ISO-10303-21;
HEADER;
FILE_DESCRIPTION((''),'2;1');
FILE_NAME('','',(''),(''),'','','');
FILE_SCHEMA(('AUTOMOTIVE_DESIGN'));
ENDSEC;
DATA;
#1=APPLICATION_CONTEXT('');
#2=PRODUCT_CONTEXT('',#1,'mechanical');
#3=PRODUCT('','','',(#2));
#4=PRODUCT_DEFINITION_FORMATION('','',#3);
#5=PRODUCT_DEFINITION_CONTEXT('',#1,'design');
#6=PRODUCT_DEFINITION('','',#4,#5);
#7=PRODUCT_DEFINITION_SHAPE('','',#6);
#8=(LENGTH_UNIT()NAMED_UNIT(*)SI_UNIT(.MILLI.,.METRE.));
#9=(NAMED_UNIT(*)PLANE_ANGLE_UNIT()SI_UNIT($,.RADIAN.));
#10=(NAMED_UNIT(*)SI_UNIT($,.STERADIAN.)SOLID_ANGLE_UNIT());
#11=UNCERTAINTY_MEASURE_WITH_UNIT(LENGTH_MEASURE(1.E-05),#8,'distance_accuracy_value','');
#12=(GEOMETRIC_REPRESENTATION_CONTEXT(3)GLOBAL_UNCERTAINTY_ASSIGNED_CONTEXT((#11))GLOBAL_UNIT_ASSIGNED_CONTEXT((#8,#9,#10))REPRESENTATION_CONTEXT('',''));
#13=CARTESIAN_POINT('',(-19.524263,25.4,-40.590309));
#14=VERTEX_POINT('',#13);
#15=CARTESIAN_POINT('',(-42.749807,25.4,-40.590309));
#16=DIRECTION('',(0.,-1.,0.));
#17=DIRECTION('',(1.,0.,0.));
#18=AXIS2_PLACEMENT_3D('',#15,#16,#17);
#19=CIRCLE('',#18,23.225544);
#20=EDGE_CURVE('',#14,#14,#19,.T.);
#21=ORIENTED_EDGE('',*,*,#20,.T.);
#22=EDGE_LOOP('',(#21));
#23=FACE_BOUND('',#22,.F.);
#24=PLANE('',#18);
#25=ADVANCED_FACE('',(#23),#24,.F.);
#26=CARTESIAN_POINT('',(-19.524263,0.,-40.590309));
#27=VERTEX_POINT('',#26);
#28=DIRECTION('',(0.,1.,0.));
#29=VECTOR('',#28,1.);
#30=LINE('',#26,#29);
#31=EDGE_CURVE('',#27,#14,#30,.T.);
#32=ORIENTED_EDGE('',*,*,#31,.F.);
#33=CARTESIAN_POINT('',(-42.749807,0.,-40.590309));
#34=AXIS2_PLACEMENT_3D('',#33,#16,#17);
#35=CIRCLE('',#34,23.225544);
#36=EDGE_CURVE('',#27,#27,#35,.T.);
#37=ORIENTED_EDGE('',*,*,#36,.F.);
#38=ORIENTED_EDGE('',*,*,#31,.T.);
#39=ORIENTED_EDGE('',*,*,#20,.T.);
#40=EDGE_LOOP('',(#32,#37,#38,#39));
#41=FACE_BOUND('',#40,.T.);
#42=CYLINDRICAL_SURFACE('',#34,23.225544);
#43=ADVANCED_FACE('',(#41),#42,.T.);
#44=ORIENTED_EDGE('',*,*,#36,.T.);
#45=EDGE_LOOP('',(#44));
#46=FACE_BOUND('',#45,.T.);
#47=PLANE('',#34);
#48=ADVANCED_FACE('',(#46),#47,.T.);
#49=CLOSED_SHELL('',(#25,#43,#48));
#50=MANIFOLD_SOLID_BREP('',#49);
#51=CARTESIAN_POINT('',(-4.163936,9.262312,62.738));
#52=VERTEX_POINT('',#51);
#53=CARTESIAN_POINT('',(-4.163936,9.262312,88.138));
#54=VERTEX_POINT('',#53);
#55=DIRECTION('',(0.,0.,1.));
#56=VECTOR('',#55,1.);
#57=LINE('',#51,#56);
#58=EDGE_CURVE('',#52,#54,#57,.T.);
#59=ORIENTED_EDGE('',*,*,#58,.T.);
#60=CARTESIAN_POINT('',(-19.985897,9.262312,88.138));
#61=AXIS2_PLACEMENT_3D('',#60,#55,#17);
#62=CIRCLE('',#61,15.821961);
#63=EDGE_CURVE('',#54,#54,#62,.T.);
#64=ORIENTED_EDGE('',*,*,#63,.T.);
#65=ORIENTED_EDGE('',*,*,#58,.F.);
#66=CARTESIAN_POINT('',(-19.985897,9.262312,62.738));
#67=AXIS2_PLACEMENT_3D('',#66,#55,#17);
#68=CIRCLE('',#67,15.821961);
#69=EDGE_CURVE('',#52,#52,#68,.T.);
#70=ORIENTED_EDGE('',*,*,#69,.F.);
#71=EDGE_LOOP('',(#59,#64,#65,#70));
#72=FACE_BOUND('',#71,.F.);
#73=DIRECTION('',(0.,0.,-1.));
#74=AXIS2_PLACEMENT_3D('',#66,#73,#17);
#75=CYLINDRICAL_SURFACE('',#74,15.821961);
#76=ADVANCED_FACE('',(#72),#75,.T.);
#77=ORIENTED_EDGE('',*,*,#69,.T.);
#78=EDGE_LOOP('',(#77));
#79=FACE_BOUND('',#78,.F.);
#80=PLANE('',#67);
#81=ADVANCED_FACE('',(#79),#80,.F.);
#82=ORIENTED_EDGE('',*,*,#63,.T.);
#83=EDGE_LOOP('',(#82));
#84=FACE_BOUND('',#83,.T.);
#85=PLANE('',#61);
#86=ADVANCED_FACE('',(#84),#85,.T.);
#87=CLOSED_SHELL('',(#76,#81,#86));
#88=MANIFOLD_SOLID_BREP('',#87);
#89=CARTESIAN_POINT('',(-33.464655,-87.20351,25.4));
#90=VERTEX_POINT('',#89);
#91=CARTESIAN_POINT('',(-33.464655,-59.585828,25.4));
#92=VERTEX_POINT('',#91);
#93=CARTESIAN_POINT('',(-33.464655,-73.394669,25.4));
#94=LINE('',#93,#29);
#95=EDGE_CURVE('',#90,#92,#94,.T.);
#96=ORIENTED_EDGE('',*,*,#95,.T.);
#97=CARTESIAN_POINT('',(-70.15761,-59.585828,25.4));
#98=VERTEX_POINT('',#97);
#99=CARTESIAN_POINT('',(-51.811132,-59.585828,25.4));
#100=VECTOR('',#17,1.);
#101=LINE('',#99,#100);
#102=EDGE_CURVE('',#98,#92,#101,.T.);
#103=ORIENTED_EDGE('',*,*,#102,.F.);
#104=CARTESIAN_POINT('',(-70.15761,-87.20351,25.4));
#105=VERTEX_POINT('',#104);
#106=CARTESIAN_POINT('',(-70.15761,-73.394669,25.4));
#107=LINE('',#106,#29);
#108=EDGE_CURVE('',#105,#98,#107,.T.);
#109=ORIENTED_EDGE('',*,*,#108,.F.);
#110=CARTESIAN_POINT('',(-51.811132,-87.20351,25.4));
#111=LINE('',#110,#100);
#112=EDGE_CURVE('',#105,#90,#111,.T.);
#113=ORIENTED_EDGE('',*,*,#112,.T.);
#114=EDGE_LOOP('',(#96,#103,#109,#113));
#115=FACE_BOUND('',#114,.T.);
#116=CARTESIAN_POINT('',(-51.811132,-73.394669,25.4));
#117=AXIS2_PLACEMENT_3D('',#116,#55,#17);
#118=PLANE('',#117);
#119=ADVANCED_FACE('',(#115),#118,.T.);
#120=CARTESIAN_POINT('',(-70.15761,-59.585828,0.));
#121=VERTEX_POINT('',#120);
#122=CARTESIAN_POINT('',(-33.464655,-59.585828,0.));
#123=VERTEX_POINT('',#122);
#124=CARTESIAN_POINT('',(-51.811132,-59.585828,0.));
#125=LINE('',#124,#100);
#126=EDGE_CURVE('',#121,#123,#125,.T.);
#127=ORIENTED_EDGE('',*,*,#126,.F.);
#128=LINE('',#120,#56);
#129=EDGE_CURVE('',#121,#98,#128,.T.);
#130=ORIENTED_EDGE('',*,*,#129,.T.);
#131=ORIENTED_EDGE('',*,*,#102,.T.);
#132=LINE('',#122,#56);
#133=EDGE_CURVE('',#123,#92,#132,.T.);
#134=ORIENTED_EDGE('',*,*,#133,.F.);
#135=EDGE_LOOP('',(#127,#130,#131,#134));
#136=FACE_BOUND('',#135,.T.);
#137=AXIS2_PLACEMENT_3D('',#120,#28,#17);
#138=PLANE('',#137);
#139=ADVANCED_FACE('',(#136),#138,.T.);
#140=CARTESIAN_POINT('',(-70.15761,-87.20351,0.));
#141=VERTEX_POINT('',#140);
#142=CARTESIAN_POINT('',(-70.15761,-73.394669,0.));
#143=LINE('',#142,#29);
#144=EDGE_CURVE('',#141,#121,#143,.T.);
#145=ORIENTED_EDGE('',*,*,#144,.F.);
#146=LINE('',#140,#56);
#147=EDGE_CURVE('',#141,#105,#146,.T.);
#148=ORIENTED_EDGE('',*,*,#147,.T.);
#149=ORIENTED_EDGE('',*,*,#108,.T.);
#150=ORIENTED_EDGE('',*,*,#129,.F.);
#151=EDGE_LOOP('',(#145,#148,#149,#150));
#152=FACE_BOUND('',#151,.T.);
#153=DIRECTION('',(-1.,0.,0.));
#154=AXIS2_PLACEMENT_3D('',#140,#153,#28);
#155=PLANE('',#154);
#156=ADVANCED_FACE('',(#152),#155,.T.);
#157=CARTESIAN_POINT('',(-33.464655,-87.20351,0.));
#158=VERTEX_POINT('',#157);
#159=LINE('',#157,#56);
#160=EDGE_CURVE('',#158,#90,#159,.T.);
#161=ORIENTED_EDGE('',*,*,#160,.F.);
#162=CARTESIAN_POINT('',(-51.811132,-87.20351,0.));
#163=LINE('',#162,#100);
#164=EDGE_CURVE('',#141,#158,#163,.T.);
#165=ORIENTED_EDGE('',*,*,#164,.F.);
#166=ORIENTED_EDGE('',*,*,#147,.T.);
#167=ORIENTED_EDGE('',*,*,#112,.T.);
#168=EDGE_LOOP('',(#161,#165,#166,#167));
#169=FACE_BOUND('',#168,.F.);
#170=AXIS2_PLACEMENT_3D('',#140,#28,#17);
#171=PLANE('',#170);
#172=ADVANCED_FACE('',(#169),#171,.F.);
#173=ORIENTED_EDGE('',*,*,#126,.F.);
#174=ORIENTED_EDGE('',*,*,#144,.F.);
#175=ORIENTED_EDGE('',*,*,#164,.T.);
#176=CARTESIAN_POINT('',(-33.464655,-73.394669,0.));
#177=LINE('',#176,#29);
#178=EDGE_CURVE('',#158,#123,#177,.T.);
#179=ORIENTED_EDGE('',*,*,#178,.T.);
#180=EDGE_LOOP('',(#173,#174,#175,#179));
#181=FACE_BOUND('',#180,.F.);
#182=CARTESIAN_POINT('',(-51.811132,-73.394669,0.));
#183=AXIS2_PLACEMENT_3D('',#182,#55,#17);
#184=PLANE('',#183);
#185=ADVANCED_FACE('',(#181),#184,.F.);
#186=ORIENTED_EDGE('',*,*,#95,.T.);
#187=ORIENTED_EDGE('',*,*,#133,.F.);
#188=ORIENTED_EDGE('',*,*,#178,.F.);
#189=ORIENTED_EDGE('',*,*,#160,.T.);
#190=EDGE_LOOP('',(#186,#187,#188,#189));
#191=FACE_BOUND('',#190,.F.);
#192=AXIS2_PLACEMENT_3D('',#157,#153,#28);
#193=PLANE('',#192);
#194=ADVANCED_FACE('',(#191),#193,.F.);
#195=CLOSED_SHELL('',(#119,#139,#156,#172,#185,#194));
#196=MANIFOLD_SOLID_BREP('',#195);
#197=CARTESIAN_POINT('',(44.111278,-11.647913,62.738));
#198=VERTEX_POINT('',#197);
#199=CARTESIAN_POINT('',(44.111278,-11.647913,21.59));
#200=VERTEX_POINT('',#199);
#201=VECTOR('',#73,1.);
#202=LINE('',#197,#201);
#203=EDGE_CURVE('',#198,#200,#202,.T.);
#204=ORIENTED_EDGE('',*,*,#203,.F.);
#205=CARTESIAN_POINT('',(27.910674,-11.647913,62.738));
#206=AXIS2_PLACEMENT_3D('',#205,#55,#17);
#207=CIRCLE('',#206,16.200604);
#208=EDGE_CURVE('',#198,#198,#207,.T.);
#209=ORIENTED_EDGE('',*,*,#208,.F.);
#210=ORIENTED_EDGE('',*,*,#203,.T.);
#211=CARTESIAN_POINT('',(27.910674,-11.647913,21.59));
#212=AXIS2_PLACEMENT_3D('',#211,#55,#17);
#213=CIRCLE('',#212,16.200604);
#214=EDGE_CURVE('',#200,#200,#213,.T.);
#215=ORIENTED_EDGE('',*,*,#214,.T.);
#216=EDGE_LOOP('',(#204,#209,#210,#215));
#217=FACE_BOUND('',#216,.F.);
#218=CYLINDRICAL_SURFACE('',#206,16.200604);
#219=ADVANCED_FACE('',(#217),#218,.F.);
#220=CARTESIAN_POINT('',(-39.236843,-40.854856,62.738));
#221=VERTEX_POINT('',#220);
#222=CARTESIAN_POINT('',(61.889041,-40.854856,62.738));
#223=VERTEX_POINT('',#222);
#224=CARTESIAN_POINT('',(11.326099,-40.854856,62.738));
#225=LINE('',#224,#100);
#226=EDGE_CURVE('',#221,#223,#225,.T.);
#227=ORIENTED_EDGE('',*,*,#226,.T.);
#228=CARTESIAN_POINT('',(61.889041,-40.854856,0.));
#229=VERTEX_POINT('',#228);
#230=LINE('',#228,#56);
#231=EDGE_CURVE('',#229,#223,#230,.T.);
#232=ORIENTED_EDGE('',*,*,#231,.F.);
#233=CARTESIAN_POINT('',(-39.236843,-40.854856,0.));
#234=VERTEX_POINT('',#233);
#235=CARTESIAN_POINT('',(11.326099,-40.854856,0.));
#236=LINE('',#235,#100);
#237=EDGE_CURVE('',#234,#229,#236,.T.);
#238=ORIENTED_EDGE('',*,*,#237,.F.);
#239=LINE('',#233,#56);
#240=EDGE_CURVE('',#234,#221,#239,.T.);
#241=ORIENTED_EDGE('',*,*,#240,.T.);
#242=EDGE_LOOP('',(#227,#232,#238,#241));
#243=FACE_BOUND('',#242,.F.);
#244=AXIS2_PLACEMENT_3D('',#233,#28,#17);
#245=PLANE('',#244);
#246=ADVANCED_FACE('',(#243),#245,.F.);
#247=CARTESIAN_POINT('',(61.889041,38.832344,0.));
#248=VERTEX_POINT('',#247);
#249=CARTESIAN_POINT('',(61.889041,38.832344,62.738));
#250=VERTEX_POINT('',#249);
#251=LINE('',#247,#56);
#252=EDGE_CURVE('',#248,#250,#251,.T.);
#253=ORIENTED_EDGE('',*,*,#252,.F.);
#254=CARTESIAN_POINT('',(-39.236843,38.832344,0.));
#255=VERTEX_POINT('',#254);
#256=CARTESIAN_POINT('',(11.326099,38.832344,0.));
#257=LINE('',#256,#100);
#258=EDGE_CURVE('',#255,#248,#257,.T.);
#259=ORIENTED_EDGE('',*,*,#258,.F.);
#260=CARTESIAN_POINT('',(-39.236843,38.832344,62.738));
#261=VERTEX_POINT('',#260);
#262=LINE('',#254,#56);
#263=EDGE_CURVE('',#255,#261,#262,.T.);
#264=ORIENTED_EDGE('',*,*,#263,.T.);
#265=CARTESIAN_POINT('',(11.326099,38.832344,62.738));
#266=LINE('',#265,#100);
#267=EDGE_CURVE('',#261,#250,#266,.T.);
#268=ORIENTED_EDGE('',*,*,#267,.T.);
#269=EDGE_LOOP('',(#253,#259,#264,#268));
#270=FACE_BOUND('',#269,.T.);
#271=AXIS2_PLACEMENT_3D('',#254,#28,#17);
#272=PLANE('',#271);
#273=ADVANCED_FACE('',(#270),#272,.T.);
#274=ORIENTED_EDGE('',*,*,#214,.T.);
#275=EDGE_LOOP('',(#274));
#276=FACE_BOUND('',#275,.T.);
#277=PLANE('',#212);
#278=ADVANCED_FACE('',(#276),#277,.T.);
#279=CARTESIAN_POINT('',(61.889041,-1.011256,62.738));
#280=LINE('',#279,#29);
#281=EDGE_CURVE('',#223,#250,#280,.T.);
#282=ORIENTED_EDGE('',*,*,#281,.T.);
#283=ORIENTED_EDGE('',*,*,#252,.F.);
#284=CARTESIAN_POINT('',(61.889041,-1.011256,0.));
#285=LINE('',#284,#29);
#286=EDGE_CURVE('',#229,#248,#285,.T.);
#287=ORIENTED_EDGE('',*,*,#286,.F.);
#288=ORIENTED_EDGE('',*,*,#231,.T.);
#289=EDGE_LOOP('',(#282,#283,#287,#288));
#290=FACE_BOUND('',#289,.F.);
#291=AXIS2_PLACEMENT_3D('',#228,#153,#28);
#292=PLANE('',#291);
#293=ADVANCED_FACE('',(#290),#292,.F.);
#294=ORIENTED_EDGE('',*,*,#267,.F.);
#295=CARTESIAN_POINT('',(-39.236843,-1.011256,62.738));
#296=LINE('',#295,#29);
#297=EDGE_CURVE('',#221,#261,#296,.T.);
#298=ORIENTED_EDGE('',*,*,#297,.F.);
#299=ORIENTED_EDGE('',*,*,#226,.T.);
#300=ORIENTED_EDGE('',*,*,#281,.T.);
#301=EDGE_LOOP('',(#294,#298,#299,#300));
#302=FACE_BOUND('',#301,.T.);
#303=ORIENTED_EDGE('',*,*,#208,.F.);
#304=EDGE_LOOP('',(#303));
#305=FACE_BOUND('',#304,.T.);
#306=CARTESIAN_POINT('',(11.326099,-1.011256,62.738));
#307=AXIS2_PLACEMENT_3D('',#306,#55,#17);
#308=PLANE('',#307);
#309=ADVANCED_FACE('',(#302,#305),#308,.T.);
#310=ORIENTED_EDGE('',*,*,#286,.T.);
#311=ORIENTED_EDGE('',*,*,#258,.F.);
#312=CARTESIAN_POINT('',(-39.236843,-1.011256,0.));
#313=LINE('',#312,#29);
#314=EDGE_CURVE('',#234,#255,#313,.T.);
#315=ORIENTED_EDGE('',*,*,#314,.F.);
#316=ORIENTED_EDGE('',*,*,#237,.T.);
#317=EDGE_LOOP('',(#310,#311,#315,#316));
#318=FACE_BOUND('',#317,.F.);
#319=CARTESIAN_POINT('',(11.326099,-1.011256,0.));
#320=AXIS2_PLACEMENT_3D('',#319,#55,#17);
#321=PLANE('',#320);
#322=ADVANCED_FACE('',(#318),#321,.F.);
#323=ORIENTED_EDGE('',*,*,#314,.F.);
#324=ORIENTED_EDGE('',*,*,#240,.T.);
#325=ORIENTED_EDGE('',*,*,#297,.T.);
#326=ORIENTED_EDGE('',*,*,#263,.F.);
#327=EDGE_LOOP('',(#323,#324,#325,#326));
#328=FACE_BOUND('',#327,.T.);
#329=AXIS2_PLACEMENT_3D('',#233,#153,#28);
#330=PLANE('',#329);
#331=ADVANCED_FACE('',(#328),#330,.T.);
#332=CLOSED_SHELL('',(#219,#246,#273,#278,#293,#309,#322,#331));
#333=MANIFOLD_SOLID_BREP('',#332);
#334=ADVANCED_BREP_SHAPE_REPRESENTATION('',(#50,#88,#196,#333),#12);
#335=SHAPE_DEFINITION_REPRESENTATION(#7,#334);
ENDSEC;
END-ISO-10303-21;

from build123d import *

# Parameters (mm, degrees)
F0_W     = 101.125885
F0_H     = 79.6872
F1_DEPTH = 62.738
F2_R     = 16.200604
F3_DEPTH = 41.148
F4_W     = 36.692955
F4_H     = 27.617682
F5_DEPTH = 25.4
F6_R     = 23.225544
F7_DEPTH = 25.4
F8_R     = 15.821961
F9_DEPTH = 25.4


with BuildPart() as f1:
    # F0 (on Top) → F1 (new body)
    with BuildSketch(Plane.XY):
        with Locations((11.326099, -1.011256)):
            Rectangle(F0_W, F0_H)
    extrude(amount=F1_DEPTH)

    # F2 (on face) → F3 (cut)
    with BuildSketch(Plane.XY.offset(62.738)):
        with Locations((27.910674, -11.647913)):
            Circle(F2_R)
    extrude(amount=-F3_DEPTH, mode=Mode.SUBTRACT)


with BuildPart() as f5:
    # F4 (on Top) → F5 (new body)
    with BuildSketch(Plane.XY):
        with Locations((-51.811132, -73.394669)):
            Rectangle(F4_W, F4_H)
    extrude(amount=F5_DEPTH)


with BuildPart() as f7:
    # F6 (on Front) → F7 (new body)
    with BuildSketch(Plane.XZ):
        with Locations((-42.749807, -40.590309)):
            Circle(F6_R)
    extrude(amount=-F7_DEPTH)


with BuildPart() as f9:
    # F8 (on face) → F9 (new body)
    with BuildSketch(Plane.XY.offset(62.738)):
        with Locations((-19.985897, 9.262312)):
            Circle(F8_R)
    extrude(amount=F9_DEPTH)


solid = Compound([f1.part, f5.part, f7.part, f9.part])
